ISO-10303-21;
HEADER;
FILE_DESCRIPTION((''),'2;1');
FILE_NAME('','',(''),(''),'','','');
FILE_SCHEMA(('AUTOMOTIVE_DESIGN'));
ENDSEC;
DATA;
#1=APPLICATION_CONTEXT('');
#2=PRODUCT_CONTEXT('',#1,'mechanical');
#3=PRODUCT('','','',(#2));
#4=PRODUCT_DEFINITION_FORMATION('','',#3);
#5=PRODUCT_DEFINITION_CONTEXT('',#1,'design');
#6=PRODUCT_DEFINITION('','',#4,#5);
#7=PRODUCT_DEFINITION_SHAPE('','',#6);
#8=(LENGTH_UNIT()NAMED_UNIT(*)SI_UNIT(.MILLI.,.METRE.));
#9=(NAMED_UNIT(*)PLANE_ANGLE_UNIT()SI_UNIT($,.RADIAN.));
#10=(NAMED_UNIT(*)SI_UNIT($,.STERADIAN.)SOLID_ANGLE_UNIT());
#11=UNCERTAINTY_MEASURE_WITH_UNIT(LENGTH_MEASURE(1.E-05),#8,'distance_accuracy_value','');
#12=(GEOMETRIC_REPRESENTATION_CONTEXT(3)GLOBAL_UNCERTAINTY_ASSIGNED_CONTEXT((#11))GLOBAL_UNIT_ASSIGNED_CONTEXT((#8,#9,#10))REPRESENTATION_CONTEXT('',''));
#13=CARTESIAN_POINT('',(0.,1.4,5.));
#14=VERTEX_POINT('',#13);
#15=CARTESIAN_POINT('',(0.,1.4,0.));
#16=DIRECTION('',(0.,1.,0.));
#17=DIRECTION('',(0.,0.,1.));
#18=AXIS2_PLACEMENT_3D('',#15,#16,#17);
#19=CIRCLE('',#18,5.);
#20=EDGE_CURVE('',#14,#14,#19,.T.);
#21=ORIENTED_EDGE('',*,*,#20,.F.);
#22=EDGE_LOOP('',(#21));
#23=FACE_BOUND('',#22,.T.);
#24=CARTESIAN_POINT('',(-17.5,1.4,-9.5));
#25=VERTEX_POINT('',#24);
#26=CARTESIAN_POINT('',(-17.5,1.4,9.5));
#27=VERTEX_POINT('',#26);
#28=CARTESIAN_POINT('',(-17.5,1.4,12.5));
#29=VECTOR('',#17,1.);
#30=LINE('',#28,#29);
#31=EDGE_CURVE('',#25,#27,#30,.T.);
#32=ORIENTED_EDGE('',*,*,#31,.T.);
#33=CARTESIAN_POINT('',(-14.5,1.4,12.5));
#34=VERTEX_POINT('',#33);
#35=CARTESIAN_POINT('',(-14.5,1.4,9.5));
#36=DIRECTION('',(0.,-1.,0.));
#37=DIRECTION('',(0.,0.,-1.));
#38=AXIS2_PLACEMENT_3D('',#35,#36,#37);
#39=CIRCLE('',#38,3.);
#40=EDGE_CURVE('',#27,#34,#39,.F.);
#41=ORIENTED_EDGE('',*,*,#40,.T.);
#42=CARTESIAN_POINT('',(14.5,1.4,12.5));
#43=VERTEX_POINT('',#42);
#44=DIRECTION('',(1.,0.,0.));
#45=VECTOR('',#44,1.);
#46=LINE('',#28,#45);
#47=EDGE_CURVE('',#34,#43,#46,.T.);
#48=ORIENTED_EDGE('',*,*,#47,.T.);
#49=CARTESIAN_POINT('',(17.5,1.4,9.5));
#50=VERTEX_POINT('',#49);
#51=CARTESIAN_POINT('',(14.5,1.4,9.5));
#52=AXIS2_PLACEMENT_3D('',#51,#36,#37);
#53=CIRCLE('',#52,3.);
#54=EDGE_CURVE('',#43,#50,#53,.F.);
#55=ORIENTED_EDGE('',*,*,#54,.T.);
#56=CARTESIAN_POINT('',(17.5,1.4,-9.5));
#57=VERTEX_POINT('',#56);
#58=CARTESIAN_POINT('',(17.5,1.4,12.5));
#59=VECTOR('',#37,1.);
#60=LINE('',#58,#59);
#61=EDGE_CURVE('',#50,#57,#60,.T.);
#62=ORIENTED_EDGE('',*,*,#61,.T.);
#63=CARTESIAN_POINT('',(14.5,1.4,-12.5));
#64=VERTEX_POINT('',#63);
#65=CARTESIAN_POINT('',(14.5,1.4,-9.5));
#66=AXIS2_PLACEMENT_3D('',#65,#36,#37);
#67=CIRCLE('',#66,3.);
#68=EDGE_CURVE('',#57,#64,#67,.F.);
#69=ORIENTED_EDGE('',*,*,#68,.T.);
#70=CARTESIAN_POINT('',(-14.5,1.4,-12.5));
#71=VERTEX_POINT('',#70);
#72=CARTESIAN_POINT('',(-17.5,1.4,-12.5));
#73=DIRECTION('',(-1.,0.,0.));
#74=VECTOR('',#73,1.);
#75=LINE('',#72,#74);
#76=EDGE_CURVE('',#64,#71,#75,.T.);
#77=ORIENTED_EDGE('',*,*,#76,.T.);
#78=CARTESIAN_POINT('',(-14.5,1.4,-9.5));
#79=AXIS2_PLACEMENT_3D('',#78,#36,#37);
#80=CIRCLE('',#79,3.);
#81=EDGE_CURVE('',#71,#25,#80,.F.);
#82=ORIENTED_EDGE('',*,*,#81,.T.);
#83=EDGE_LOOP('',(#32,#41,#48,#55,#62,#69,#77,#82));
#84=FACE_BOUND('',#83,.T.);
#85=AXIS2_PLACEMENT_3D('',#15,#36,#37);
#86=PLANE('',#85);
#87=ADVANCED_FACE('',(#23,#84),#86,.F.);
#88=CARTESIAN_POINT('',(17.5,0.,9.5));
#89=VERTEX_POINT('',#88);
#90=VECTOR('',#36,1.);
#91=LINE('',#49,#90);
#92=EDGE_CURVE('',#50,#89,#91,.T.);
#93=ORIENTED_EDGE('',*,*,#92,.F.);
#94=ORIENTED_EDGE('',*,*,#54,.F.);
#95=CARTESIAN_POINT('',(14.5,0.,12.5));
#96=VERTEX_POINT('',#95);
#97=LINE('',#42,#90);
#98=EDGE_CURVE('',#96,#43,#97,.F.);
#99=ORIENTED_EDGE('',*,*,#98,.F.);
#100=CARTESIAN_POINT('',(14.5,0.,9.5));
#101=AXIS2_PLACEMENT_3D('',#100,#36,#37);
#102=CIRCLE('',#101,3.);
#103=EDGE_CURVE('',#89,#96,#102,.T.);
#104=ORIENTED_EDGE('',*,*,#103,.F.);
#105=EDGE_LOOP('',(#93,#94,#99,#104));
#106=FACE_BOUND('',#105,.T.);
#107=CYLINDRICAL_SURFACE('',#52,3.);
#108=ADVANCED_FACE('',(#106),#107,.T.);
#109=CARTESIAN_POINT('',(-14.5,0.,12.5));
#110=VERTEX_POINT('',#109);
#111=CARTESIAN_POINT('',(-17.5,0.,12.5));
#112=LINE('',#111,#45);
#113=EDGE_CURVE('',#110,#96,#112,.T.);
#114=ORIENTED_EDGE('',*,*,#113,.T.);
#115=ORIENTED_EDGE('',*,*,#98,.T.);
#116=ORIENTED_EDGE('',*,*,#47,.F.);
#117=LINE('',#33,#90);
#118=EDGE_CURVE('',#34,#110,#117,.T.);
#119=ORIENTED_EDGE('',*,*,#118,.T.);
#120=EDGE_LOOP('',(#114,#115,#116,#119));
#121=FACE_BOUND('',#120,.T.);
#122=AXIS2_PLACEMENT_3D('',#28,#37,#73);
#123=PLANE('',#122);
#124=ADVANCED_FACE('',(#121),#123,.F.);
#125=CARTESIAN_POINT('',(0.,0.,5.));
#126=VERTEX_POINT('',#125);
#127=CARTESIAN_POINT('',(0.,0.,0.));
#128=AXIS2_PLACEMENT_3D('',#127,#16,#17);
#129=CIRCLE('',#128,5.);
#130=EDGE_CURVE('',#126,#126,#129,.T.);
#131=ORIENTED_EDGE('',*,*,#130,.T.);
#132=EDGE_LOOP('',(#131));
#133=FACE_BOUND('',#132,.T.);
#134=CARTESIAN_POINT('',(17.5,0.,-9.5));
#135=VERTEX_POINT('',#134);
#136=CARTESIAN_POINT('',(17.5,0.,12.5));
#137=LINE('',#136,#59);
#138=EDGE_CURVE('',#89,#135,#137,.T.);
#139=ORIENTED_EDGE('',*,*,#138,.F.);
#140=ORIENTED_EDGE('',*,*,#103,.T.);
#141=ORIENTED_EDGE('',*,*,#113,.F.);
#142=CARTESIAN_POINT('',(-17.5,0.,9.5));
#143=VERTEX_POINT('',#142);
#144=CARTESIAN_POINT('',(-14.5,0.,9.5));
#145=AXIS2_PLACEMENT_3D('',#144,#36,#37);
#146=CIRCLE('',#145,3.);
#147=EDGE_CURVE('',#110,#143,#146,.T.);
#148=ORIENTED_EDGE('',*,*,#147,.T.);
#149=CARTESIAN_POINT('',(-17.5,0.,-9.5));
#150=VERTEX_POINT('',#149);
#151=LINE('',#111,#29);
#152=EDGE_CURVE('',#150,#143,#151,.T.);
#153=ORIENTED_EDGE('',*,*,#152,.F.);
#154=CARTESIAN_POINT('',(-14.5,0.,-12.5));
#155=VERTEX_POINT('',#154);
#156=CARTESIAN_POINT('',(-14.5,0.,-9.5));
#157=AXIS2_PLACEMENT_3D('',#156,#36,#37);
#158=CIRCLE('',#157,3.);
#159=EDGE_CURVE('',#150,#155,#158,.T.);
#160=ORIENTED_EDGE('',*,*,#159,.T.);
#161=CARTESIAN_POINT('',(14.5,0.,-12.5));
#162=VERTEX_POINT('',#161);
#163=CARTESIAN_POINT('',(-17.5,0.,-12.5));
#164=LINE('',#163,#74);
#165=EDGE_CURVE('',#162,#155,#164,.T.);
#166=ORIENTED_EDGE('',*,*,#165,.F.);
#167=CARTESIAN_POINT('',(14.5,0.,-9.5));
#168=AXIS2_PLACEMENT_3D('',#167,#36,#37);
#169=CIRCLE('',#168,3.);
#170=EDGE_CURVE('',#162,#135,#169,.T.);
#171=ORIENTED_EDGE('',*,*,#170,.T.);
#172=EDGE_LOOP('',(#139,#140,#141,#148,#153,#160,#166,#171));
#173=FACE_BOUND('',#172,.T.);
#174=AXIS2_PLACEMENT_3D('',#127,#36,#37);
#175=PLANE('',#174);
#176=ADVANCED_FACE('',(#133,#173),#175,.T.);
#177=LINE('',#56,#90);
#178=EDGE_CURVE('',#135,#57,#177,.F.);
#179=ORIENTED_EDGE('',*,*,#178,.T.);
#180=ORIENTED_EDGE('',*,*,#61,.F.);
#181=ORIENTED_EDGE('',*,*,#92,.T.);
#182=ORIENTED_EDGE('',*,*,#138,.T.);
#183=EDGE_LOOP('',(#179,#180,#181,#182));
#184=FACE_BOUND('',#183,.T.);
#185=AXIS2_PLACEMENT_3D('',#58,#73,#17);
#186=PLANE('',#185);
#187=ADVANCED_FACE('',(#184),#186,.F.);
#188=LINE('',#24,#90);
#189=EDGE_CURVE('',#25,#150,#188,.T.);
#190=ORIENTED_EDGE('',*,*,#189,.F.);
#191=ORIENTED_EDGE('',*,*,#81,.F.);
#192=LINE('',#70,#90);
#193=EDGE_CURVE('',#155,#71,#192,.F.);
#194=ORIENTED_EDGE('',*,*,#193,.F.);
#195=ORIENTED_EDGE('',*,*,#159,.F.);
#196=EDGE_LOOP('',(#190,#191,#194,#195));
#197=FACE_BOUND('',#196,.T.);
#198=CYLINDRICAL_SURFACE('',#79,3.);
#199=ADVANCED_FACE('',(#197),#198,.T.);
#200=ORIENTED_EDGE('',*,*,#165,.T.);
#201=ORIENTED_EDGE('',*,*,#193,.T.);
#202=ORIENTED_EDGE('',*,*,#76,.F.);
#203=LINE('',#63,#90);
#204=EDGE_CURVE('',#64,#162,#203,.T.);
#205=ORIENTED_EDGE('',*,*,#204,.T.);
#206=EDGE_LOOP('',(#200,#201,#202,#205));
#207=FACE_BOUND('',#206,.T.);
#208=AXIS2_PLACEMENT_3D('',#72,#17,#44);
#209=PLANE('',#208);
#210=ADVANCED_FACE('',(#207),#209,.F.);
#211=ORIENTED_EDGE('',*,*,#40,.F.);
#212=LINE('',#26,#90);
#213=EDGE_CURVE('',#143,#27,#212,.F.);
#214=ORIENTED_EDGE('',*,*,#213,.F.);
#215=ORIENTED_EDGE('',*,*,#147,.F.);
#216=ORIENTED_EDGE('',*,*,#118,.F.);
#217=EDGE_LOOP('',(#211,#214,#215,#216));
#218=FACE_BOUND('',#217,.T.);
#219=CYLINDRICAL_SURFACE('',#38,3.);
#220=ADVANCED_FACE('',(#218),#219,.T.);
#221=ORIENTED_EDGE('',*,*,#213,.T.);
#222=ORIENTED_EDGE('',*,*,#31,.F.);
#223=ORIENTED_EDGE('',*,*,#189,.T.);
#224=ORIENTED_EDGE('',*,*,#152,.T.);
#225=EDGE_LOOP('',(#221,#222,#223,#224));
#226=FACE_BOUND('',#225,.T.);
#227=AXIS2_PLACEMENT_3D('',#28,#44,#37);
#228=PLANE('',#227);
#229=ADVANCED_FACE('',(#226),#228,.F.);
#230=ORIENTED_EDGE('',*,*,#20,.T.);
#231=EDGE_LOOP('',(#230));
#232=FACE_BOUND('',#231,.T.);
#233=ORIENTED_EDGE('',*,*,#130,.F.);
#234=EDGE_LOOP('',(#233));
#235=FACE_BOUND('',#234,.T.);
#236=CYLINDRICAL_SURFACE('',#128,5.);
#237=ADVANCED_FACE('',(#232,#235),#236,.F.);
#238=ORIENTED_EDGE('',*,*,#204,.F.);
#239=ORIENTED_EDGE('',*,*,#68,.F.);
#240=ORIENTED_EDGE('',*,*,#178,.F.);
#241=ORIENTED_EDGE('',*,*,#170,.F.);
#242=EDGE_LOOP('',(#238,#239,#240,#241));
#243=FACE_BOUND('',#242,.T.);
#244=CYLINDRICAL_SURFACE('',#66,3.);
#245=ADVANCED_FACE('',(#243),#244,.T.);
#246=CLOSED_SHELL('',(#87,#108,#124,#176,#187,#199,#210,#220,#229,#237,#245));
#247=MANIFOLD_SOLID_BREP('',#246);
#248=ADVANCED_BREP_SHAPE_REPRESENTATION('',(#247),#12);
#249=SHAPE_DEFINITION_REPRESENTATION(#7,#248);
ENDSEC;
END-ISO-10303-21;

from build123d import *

# Parameters (mm, degrees)
SKETCH2_W           = 35
SKETCH2_H           = 25
BOSS_EXTRUDE1_DEPTH = 1.4
FILLET1_R           = 3
SKETCH3_R           = 5
CUT_EXTRUDE1_DEPTH  = 22.551334065


with BuildPart() as part:
    # Sketch2 → Boss-Extrude1 (new body)
    with BuildSketch(Plane(origin=(0, 0, 0), x_dir=(1, 0, 0), z_dir=(0, 1, 0))):
        Rectangle(SKETCH2_W, SKETCH2_H)
    extrude(amount=BOSS_EXTRUDE1_DEPTH)

    # Fillet1
    fillet1_edges = [part.edges().sort_by_distance(p)[0] for p in [
        (17.5, 0.7, 12.5),
        (-17.5, 0.7, 12.5),
        (-17.5, 0.7, -12.5),
        (17.5, 0.7, -12.5),
    ]]
    fillet(fillet1_edges, radius=FILLET1_R)

    # Sketch3 → Cut-Extrude1 (cut, through all)
    with BuildSketch(Plane(origin=(0, 1.4, 0), x_dir=(1, 0, 0), z_dir=(0, 1, 0))):
        with Locations(Location((0, 0, 0), (0, 0, 270))):
            Circle(SKETCH3_R)
    extrude(amount=-CUT_EXTRUDE1_DEPTH, mode=Mode.SUBTRACT)


solid = part.part
